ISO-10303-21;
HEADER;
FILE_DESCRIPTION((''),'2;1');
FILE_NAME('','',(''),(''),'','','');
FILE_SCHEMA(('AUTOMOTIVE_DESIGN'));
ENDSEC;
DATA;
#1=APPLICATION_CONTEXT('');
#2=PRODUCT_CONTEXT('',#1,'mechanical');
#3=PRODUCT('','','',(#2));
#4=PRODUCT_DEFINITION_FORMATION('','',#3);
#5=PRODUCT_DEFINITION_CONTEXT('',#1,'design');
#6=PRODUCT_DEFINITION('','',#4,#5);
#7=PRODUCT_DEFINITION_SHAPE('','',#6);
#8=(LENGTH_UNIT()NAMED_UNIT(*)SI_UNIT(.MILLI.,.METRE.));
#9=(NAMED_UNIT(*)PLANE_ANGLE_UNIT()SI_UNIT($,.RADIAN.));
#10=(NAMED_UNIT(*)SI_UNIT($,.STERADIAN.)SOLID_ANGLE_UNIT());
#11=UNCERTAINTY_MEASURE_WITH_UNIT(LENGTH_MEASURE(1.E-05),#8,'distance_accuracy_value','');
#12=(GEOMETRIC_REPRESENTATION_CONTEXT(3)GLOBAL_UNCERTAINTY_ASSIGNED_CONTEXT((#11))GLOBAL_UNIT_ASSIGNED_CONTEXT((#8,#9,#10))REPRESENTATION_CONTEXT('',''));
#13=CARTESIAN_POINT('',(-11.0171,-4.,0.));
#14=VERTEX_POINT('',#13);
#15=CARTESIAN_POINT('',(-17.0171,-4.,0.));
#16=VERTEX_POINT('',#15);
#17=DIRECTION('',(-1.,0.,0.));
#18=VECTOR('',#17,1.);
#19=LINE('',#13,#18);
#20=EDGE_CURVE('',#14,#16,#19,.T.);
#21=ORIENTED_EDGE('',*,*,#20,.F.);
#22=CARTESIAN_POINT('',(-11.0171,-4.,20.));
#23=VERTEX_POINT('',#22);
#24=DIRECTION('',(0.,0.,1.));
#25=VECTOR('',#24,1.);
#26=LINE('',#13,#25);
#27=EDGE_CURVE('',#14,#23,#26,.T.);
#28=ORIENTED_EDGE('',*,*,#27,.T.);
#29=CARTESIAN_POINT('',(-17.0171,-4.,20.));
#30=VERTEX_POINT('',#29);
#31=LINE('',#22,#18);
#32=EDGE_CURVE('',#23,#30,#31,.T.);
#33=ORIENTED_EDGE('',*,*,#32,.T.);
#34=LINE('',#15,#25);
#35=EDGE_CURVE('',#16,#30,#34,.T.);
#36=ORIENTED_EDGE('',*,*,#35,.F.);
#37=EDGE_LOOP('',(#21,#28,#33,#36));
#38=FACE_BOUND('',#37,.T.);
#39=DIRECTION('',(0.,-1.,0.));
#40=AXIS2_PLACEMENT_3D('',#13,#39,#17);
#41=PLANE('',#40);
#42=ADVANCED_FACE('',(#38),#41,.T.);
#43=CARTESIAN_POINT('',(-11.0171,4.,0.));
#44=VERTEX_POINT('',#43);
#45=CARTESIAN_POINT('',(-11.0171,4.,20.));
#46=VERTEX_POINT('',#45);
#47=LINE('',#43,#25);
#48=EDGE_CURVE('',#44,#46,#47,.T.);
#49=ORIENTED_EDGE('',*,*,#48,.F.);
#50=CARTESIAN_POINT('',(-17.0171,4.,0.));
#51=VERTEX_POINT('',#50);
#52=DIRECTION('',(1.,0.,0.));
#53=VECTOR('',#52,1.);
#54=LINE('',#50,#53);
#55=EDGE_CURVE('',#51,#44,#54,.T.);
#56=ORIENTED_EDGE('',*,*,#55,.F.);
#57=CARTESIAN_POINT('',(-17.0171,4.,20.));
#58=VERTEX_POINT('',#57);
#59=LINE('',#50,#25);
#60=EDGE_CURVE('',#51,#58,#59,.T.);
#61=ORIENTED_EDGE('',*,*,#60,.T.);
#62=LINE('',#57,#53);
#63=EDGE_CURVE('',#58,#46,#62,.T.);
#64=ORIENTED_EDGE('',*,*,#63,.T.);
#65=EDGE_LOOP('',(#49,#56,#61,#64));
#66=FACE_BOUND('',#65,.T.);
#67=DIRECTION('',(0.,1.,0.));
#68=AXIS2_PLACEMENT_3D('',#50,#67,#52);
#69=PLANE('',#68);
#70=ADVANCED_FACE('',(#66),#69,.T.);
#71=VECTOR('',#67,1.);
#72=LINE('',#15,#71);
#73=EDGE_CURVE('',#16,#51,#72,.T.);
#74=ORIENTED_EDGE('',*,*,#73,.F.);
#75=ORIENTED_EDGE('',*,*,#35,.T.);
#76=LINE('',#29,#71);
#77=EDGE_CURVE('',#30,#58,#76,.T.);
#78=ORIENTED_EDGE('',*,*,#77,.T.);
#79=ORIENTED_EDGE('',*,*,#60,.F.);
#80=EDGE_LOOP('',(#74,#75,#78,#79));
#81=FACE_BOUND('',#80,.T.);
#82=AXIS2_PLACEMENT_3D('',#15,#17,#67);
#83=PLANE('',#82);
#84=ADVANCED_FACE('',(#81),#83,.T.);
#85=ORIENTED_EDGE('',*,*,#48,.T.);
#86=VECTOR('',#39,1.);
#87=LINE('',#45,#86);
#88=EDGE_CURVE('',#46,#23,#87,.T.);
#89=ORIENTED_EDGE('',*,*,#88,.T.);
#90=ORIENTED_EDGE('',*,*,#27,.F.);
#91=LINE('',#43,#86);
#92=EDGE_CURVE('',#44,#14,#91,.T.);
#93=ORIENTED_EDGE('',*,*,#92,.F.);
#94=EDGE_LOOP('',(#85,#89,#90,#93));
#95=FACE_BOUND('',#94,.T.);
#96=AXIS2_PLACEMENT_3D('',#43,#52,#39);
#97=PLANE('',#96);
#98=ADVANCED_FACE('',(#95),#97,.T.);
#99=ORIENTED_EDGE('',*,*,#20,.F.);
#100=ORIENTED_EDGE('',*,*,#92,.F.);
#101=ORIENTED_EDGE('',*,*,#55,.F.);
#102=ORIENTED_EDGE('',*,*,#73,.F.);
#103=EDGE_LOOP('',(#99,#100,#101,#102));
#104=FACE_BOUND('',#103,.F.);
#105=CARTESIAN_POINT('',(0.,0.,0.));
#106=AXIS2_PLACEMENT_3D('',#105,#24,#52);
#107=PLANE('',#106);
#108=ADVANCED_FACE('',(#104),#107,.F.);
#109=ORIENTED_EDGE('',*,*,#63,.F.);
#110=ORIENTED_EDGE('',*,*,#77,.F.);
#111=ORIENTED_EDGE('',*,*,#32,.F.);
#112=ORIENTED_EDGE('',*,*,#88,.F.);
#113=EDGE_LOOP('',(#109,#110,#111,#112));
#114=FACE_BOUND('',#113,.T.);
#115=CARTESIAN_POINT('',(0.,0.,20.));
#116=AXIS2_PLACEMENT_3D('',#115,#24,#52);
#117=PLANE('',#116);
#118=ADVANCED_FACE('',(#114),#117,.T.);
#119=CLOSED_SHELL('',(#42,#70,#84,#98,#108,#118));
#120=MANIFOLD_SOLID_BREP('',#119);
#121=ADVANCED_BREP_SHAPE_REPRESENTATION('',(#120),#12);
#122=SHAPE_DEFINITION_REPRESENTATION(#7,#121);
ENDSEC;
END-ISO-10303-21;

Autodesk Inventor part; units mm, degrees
ref_plane "YZ Plane" through (0, 0, 0) normal (1, 0, 0) x (0, 1, 0)
ref_plane "XZ Plane" through (0, 0, 0) normal (0, 1, 0) x (-1, 0, 0)
ref_plane "XY Plane" through (0, 0, 0) normal (0, 0, 1) x (1, 0, 0)
sketch "Sketch1" plane through (0, 0, 0) normal (0, 0, 1) x (1, 0, 0)
  line L0 (-17.0171, 4) -> (-11.0171, 4)
  line L1 (-11.0171, 4) -> (-11.0171, -4)
  line L2 (-11.0171, -4) -> (-17.0171, -4)
  line L3 (-17.0171, -4) -> (-17.0171, 4)
  line L4 (-17.0171, 4) -> (-11.0171, -4) construction
  line L5 (-11.0171, 4) -> (-17.0171, -4) construction
  point P0 (0, 0)
  point P1 (-14.0171, 0)
  dimension "d0" = 6
  dimension "d1" = 8
extrude "Extrusion1" add sketch "Sketch1" along normal blind 20
properties part number "XLimit OffsetBlock"
